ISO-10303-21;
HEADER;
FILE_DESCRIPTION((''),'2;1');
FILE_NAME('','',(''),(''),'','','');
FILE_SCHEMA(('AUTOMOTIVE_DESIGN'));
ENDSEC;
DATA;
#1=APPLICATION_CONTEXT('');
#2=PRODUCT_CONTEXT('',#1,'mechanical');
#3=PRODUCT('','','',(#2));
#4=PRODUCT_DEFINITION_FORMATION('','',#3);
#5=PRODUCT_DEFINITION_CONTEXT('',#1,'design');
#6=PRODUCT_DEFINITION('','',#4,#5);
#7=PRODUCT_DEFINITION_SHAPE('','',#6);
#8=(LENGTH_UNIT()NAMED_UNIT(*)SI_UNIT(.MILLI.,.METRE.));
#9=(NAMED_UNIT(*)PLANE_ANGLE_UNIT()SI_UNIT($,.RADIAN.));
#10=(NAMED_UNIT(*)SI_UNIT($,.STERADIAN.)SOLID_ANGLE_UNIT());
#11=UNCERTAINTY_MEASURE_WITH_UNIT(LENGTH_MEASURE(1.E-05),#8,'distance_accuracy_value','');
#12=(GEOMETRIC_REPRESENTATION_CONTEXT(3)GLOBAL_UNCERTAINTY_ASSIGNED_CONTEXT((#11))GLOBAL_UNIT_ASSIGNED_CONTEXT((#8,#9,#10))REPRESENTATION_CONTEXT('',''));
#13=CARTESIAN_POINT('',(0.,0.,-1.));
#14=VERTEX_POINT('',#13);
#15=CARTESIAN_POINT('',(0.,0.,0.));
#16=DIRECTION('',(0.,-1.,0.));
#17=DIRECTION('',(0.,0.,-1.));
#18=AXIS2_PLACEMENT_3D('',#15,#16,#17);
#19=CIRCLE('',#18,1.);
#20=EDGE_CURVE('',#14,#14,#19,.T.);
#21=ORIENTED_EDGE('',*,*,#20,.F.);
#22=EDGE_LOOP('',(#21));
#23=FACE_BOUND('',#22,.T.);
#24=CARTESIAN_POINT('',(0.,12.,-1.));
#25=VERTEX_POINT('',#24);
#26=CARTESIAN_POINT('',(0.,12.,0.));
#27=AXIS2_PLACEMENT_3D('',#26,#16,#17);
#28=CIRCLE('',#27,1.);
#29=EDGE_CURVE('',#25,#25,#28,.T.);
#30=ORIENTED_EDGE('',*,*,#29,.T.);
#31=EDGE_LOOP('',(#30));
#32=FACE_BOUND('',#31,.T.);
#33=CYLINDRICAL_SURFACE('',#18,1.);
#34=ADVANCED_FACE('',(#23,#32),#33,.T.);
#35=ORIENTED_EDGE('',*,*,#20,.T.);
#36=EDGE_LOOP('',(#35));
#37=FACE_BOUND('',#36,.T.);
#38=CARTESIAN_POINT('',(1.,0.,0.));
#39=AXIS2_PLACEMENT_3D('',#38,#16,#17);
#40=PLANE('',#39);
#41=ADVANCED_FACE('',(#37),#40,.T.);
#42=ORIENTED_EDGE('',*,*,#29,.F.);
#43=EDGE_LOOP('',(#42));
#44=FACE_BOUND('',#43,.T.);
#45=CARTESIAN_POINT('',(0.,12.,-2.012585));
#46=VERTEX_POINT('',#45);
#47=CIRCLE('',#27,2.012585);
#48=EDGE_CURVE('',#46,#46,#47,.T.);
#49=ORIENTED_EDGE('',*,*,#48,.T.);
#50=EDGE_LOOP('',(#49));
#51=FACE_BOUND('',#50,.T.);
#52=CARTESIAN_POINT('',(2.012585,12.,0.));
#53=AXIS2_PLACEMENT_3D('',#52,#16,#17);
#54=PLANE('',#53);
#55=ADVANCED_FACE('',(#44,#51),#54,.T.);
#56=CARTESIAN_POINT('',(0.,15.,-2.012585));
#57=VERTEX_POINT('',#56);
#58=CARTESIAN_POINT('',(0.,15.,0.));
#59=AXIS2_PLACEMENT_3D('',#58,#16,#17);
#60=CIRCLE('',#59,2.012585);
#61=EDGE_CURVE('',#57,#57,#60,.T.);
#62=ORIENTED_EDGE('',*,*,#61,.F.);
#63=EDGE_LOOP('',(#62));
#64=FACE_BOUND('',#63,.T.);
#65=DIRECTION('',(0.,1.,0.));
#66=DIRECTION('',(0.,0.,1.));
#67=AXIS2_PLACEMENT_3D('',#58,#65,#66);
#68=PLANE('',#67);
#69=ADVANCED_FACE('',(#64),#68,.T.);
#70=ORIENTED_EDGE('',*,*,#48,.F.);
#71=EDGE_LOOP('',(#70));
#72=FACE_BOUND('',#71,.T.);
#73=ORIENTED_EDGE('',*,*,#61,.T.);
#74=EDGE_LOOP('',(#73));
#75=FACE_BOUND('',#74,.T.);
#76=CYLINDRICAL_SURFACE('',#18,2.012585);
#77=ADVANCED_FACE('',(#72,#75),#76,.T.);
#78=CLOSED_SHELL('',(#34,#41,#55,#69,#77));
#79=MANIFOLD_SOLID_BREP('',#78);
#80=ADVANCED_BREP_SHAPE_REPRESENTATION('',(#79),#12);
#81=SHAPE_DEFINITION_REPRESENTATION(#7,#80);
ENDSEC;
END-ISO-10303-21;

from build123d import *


with BuildPart() as part:
    # Sketch1 → Revolve1 (revolve)
    with BuildSketch(Plane.XY):
        Polygon((0, 0), (0, 15), (2.012585073, 15), (2.012585073, 12), (1, 12), (1, 0), align=None)
    revolve(axis=Axis((0, 0, 0), (0, 1, 0)))


solid = part.part
